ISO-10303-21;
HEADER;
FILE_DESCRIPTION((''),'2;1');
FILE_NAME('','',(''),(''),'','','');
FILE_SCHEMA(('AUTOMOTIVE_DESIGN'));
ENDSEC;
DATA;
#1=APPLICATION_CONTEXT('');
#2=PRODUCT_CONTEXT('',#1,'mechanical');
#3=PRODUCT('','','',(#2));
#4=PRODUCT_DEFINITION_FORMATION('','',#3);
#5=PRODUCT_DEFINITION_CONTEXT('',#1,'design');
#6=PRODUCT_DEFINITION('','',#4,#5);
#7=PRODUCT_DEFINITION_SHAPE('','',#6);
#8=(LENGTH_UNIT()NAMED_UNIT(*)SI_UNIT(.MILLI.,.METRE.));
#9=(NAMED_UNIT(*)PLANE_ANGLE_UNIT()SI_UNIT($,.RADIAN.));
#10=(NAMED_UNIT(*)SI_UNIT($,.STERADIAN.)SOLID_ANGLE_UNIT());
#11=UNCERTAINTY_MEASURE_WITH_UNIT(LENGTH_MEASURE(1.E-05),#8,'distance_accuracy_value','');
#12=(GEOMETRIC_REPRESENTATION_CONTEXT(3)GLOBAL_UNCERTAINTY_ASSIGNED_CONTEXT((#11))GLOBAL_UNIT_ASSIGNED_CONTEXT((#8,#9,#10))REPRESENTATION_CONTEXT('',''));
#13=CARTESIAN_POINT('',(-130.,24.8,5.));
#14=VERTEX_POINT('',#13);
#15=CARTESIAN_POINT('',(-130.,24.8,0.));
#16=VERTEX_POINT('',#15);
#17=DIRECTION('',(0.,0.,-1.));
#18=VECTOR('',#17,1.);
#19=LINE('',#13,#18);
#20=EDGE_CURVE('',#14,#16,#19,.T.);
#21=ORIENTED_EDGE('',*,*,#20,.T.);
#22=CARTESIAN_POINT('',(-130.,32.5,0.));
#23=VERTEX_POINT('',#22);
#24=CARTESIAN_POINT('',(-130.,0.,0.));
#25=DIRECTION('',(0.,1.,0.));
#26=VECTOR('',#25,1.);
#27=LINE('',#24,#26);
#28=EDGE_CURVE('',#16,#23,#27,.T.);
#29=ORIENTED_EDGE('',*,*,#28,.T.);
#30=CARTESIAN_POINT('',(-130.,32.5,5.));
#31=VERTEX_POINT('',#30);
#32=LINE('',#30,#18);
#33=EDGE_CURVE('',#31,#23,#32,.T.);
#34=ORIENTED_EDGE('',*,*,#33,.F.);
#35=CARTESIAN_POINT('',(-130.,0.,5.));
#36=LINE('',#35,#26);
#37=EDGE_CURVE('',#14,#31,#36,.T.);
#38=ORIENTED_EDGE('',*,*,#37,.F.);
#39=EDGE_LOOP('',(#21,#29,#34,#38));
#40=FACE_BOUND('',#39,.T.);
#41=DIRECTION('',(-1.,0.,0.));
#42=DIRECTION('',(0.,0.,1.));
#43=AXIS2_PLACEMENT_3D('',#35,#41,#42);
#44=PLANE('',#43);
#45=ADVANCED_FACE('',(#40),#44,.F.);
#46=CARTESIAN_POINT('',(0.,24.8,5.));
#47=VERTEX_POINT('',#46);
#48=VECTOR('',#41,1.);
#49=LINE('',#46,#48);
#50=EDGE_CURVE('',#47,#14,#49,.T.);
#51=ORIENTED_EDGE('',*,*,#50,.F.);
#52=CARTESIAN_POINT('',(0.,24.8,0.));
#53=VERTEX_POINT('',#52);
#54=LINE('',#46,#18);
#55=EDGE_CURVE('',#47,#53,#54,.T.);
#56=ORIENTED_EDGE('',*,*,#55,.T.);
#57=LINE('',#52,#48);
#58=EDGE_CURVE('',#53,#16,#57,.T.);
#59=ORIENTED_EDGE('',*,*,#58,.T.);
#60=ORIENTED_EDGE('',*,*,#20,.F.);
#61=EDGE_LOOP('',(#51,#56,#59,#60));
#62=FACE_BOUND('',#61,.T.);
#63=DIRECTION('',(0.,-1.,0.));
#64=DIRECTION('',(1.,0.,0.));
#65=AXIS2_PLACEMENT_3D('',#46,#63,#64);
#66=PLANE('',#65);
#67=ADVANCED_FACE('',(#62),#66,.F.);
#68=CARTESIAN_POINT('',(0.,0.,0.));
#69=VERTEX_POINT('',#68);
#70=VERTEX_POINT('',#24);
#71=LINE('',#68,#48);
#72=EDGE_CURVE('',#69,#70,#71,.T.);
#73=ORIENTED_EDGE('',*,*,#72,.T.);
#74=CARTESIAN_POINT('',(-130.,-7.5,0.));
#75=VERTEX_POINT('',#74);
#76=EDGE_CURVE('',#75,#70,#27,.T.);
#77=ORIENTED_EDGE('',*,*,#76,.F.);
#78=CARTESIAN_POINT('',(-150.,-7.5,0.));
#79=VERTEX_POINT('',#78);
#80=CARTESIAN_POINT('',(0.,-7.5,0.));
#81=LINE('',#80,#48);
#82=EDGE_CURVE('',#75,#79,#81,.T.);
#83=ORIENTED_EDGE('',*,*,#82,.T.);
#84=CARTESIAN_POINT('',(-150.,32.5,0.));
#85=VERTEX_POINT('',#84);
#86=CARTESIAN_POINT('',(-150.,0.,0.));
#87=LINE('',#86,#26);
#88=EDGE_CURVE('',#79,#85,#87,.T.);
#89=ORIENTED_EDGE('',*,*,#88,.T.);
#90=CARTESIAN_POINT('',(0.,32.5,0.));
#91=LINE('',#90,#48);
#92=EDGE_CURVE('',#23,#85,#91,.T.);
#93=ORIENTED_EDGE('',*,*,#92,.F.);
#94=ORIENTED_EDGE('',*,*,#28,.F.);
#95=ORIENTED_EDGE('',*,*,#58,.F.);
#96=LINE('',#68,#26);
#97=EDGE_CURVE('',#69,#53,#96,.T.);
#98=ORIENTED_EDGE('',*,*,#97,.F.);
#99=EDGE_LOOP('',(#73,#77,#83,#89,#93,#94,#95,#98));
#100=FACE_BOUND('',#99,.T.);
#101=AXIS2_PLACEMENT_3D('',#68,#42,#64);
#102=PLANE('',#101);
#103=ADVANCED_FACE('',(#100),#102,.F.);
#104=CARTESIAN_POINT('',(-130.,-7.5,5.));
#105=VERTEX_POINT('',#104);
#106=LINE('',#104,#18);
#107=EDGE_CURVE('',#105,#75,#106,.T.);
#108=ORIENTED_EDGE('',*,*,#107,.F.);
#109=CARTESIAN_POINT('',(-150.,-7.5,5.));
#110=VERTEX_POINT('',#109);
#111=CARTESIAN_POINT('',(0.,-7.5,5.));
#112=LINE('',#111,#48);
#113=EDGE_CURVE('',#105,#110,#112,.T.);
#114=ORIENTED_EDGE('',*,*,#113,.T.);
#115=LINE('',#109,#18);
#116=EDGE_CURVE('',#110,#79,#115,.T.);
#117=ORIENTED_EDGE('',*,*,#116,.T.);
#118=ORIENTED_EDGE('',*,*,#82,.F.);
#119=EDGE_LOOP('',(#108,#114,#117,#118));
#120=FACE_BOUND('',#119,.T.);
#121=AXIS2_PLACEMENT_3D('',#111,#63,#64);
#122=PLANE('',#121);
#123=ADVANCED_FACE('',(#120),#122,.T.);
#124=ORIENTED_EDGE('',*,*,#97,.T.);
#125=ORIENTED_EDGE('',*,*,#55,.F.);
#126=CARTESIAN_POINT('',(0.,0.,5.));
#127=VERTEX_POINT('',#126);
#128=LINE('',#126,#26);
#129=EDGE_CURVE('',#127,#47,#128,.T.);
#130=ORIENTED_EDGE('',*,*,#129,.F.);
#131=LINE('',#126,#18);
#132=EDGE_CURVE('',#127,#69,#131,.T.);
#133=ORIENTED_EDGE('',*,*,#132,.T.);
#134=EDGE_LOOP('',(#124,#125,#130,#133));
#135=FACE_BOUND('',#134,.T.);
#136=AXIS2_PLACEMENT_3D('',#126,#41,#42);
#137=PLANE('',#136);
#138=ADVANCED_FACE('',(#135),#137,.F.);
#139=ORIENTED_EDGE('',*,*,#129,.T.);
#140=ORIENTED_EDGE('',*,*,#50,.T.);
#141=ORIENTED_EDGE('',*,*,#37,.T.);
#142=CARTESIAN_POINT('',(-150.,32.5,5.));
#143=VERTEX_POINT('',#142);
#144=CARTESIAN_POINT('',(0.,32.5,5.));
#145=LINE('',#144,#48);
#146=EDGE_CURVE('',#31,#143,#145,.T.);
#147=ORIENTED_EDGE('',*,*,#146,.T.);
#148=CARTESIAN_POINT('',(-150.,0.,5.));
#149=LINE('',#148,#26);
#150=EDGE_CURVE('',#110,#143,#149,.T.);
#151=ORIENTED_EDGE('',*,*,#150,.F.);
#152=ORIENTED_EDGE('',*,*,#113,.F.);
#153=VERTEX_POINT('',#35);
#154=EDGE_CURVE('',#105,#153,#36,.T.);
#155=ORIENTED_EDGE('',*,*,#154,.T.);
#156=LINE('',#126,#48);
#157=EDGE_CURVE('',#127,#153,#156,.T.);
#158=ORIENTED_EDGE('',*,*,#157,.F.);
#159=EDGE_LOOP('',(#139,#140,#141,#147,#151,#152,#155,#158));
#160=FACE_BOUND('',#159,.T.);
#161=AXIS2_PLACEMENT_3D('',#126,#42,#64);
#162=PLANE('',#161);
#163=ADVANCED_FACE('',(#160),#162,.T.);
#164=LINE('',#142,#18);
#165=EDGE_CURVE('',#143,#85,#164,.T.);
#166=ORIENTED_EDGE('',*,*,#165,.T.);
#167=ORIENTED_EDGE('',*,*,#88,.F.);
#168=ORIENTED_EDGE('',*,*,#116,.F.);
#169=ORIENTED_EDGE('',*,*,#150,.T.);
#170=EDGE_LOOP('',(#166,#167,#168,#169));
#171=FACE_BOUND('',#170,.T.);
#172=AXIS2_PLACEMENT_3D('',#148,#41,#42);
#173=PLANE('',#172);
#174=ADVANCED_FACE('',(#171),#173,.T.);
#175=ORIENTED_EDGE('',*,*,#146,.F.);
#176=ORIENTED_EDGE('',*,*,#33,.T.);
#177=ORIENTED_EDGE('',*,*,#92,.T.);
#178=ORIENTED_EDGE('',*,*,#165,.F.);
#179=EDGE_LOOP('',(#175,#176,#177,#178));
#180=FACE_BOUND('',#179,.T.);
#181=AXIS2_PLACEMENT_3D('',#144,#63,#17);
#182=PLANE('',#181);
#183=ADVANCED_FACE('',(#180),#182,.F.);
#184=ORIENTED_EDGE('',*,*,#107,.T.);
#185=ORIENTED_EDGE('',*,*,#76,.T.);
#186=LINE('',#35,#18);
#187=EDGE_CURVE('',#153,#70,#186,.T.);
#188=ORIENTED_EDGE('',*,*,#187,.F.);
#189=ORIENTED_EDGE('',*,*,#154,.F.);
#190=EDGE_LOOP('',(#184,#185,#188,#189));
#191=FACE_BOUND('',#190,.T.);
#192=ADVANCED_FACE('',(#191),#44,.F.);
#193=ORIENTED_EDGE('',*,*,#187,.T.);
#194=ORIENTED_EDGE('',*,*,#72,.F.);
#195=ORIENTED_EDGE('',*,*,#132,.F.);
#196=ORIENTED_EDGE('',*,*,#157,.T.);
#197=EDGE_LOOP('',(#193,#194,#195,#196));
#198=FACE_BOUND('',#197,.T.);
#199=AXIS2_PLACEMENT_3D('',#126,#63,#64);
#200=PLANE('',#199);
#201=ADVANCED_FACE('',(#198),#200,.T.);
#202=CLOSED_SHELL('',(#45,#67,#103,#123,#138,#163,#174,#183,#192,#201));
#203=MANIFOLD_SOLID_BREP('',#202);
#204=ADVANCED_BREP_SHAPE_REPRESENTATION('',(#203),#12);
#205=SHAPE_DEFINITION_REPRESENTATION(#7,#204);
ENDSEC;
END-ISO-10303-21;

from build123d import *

# Parameters (mm, degrees)
SKETCH_1_W      = 130
SKETCH_1_H      = 24.8
EXTRUDE_1_DEPTH = 5


with BuildPart() as part:
    # 草图1 → 凸台-拉伸1 (new body)
    with BuildSketch(Plane.XY):
        Polygon((-130, -7.5), (-130, 0), (-130, 24.8), (-130, 32.5), (-150, 32.5), (-150, -7.5), align=None)
        with Locations((-65, 12.4)):
            Rectangle(SKETCH_1_W, SKETCH_1_H)
    extrude(amount=EXTRUDE_1_DEPTH)


solid = part.part
